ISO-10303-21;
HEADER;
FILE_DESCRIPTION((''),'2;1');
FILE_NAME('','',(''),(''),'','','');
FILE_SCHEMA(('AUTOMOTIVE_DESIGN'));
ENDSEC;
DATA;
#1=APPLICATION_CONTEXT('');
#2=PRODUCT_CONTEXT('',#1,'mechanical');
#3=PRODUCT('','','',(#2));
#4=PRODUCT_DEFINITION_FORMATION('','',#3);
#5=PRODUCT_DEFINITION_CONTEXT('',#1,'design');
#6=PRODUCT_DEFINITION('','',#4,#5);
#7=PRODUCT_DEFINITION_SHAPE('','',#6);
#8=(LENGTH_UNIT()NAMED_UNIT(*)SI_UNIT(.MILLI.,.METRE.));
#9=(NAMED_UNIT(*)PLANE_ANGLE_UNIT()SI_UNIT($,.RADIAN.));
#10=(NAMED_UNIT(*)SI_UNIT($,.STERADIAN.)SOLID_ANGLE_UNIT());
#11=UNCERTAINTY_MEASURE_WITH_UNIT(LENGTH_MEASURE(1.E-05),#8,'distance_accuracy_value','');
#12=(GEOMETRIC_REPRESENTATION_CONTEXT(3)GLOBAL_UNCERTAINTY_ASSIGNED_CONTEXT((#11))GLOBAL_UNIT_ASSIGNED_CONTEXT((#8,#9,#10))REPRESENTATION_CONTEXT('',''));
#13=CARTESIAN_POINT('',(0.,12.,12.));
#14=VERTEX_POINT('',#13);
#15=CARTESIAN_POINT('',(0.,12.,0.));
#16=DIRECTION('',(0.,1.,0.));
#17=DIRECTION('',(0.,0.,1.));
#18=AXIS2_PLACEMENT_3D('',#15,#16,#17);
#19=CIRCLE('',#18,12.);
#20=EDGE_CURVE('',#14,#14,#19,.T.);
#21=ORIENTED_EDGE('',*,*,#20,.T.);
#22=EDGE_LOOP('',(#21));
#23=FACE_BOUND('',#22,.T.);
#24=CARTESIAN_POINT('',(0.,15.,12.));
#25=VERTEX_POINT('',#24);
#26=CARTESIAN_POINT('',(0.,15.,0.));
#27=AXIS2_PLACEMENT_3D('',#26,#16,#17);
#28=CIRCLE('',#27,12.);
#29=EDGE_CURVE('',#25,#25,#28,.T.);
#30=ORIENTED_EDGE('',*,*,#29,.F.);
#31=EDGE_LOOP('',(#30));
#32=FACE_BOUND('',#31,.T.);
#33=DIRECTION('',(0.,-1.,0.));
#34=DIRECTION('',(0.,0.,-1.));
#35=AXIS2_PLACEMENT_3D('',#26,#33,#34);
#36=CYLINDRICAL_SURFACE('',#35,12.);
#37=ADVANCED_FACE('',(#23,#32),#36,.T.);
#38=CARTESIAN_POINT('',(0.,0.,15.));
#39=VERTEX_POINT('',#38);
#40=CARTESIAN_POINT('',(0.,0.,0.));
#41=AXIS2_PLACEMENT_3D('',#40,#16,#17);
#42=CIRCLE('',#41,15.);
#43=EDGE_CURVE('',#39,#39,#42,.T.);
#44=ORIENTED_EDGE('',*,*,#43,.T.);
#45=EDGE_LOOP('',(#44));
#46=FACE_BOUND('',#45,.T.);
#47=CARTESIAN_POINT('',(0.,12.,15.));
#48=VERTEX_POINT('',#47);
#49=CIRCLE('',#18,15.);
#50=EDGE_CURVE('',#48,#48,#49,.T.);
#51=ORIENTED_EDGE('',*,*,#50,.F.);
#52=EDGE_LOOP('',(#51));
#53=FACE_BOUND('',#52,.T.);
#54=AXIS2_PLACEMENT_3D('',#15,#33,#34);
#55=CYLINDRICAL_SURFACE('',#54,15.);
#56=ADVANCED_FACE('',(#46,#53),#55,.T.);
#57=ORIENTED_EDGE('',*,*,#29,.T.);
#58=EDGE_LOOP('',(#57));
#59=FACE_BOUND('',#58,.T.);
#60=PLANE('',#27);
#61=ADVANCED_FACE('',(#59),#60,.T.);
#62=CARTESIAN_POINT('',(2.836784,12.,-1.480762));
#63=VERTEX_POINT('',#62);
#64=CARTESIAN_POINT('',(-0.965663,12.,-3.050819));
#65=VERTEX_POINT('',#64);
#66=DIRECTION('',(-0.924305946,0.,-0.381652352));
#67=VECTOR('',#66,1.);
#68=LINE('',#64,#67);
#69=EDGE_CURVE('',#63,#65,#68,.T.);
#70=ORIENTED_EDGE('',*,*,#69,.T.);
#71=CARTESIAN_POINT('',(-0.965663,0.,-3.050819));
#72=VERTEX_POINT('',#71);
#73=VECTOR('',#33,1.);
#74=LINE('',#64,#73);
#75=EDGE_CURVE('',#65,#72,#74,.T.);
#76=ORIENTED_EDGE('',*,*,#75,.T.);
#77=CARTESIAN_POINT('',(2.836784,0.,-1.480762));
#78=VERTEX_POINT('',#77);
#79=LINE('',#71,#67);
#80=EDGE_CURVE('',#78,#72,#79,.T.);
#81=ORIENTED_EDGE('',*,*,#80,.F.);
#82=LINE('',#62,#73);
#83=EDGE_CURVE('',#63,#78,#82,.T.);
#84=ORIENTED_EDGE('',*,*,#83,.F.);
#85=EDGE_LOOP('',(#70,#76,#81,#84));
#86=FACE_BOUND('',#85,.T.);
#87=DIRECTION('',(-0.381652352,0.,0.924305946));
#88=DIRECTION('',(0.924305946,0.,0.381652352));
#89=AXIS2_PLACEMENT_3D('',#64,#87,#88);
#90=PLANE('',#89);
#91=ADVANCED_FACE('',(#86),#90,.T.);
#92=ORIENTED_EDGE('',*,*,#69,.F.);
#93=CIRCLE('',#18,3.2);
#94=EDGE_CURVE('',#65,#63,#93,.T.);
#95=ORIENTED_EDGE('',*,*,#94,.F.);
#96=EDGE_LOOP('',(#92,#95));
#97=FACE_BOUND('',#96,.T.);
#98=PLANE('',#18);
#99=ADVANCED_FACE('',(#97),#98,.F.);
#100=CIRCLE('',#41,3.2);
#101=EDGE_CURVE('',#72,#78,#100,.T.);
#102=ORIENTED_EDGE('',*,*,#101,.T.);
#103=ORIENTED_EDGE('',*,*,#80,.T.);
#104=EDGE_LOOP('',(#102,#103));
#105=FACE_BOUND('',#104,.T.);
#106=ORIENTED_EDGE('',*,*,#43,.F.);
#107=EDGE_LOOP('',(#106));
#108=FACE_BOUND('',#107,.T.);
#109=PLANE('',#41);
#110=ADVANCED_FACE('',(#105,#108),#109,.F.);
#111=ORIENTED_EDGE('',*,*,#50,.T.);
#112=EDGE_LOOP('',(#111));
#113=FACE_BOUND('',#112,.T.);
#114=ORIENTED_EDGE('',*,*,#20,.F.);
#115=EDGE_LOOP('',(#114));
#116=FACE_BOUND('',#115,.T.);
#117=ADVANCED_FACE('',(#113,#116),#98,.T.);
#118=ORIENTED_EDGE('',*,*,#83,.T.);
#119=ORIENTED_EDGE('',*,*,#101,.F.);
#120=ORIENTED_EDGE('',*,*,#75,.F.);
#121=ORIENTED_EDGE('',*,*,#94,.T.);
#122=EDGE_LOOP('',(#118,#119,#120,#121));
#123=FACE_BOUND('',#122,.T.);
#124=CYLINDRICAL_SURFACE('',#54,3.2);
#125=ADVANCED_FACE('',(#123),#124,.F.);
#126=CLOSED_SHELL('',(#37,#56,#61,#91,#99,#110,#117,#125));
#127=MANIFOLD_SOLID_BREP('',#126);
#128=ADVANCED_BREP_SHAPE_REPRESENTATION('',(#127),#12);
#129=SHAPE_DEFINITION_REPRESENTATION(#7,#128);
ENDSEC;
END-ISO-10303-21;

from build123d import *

# Parameters (mm, degrees)
SKETCH1_R           = 15
BOSS_EXTRUDE1_DEPTH = 12
SKETCH2_R           = 12
BOSS_EXTRUDE2_DEPTH = 3


with BuildPart() as part:
    # Sketch1 → Boss-Extrude1 (new body)
    with BuildSketch(Plane(origin=(0, 0, 0), x_dir=(1, 0, 0), z_dir=(0, 1, 0))):
        with Locations(Location((0, 0, 0), (0, 0, 270))):
            Circle(SKETCH1_R)
        with BuildLine():
            Line((-0.965663189, 3.050818678), (2.836784234, 1.480761699))
            ThreePointArc((2.836784234, 1.480761699), (-1.221287526, -2.957779028), (-0.965663189, 3.050818678))
        make_face(mode=Mode.SUBTRACT)
    extrude(amount=BOSS_EXTRUDE1_DEPTH)

    # Sketch2 → Boss-Extrude2 (add)
    with BuildSketch(Plane(origin=(0, 12, 0), x_dir=(1, 0, 0), z_dir=(0, 1, 0))):
        with Locations(Location((0, 0, 0), (0, 0, 270))):
            Circle(SKETCH2_R)
    extrude(amount=BOSS_EXTRUDE2_DEPTH)


solid = part.part
